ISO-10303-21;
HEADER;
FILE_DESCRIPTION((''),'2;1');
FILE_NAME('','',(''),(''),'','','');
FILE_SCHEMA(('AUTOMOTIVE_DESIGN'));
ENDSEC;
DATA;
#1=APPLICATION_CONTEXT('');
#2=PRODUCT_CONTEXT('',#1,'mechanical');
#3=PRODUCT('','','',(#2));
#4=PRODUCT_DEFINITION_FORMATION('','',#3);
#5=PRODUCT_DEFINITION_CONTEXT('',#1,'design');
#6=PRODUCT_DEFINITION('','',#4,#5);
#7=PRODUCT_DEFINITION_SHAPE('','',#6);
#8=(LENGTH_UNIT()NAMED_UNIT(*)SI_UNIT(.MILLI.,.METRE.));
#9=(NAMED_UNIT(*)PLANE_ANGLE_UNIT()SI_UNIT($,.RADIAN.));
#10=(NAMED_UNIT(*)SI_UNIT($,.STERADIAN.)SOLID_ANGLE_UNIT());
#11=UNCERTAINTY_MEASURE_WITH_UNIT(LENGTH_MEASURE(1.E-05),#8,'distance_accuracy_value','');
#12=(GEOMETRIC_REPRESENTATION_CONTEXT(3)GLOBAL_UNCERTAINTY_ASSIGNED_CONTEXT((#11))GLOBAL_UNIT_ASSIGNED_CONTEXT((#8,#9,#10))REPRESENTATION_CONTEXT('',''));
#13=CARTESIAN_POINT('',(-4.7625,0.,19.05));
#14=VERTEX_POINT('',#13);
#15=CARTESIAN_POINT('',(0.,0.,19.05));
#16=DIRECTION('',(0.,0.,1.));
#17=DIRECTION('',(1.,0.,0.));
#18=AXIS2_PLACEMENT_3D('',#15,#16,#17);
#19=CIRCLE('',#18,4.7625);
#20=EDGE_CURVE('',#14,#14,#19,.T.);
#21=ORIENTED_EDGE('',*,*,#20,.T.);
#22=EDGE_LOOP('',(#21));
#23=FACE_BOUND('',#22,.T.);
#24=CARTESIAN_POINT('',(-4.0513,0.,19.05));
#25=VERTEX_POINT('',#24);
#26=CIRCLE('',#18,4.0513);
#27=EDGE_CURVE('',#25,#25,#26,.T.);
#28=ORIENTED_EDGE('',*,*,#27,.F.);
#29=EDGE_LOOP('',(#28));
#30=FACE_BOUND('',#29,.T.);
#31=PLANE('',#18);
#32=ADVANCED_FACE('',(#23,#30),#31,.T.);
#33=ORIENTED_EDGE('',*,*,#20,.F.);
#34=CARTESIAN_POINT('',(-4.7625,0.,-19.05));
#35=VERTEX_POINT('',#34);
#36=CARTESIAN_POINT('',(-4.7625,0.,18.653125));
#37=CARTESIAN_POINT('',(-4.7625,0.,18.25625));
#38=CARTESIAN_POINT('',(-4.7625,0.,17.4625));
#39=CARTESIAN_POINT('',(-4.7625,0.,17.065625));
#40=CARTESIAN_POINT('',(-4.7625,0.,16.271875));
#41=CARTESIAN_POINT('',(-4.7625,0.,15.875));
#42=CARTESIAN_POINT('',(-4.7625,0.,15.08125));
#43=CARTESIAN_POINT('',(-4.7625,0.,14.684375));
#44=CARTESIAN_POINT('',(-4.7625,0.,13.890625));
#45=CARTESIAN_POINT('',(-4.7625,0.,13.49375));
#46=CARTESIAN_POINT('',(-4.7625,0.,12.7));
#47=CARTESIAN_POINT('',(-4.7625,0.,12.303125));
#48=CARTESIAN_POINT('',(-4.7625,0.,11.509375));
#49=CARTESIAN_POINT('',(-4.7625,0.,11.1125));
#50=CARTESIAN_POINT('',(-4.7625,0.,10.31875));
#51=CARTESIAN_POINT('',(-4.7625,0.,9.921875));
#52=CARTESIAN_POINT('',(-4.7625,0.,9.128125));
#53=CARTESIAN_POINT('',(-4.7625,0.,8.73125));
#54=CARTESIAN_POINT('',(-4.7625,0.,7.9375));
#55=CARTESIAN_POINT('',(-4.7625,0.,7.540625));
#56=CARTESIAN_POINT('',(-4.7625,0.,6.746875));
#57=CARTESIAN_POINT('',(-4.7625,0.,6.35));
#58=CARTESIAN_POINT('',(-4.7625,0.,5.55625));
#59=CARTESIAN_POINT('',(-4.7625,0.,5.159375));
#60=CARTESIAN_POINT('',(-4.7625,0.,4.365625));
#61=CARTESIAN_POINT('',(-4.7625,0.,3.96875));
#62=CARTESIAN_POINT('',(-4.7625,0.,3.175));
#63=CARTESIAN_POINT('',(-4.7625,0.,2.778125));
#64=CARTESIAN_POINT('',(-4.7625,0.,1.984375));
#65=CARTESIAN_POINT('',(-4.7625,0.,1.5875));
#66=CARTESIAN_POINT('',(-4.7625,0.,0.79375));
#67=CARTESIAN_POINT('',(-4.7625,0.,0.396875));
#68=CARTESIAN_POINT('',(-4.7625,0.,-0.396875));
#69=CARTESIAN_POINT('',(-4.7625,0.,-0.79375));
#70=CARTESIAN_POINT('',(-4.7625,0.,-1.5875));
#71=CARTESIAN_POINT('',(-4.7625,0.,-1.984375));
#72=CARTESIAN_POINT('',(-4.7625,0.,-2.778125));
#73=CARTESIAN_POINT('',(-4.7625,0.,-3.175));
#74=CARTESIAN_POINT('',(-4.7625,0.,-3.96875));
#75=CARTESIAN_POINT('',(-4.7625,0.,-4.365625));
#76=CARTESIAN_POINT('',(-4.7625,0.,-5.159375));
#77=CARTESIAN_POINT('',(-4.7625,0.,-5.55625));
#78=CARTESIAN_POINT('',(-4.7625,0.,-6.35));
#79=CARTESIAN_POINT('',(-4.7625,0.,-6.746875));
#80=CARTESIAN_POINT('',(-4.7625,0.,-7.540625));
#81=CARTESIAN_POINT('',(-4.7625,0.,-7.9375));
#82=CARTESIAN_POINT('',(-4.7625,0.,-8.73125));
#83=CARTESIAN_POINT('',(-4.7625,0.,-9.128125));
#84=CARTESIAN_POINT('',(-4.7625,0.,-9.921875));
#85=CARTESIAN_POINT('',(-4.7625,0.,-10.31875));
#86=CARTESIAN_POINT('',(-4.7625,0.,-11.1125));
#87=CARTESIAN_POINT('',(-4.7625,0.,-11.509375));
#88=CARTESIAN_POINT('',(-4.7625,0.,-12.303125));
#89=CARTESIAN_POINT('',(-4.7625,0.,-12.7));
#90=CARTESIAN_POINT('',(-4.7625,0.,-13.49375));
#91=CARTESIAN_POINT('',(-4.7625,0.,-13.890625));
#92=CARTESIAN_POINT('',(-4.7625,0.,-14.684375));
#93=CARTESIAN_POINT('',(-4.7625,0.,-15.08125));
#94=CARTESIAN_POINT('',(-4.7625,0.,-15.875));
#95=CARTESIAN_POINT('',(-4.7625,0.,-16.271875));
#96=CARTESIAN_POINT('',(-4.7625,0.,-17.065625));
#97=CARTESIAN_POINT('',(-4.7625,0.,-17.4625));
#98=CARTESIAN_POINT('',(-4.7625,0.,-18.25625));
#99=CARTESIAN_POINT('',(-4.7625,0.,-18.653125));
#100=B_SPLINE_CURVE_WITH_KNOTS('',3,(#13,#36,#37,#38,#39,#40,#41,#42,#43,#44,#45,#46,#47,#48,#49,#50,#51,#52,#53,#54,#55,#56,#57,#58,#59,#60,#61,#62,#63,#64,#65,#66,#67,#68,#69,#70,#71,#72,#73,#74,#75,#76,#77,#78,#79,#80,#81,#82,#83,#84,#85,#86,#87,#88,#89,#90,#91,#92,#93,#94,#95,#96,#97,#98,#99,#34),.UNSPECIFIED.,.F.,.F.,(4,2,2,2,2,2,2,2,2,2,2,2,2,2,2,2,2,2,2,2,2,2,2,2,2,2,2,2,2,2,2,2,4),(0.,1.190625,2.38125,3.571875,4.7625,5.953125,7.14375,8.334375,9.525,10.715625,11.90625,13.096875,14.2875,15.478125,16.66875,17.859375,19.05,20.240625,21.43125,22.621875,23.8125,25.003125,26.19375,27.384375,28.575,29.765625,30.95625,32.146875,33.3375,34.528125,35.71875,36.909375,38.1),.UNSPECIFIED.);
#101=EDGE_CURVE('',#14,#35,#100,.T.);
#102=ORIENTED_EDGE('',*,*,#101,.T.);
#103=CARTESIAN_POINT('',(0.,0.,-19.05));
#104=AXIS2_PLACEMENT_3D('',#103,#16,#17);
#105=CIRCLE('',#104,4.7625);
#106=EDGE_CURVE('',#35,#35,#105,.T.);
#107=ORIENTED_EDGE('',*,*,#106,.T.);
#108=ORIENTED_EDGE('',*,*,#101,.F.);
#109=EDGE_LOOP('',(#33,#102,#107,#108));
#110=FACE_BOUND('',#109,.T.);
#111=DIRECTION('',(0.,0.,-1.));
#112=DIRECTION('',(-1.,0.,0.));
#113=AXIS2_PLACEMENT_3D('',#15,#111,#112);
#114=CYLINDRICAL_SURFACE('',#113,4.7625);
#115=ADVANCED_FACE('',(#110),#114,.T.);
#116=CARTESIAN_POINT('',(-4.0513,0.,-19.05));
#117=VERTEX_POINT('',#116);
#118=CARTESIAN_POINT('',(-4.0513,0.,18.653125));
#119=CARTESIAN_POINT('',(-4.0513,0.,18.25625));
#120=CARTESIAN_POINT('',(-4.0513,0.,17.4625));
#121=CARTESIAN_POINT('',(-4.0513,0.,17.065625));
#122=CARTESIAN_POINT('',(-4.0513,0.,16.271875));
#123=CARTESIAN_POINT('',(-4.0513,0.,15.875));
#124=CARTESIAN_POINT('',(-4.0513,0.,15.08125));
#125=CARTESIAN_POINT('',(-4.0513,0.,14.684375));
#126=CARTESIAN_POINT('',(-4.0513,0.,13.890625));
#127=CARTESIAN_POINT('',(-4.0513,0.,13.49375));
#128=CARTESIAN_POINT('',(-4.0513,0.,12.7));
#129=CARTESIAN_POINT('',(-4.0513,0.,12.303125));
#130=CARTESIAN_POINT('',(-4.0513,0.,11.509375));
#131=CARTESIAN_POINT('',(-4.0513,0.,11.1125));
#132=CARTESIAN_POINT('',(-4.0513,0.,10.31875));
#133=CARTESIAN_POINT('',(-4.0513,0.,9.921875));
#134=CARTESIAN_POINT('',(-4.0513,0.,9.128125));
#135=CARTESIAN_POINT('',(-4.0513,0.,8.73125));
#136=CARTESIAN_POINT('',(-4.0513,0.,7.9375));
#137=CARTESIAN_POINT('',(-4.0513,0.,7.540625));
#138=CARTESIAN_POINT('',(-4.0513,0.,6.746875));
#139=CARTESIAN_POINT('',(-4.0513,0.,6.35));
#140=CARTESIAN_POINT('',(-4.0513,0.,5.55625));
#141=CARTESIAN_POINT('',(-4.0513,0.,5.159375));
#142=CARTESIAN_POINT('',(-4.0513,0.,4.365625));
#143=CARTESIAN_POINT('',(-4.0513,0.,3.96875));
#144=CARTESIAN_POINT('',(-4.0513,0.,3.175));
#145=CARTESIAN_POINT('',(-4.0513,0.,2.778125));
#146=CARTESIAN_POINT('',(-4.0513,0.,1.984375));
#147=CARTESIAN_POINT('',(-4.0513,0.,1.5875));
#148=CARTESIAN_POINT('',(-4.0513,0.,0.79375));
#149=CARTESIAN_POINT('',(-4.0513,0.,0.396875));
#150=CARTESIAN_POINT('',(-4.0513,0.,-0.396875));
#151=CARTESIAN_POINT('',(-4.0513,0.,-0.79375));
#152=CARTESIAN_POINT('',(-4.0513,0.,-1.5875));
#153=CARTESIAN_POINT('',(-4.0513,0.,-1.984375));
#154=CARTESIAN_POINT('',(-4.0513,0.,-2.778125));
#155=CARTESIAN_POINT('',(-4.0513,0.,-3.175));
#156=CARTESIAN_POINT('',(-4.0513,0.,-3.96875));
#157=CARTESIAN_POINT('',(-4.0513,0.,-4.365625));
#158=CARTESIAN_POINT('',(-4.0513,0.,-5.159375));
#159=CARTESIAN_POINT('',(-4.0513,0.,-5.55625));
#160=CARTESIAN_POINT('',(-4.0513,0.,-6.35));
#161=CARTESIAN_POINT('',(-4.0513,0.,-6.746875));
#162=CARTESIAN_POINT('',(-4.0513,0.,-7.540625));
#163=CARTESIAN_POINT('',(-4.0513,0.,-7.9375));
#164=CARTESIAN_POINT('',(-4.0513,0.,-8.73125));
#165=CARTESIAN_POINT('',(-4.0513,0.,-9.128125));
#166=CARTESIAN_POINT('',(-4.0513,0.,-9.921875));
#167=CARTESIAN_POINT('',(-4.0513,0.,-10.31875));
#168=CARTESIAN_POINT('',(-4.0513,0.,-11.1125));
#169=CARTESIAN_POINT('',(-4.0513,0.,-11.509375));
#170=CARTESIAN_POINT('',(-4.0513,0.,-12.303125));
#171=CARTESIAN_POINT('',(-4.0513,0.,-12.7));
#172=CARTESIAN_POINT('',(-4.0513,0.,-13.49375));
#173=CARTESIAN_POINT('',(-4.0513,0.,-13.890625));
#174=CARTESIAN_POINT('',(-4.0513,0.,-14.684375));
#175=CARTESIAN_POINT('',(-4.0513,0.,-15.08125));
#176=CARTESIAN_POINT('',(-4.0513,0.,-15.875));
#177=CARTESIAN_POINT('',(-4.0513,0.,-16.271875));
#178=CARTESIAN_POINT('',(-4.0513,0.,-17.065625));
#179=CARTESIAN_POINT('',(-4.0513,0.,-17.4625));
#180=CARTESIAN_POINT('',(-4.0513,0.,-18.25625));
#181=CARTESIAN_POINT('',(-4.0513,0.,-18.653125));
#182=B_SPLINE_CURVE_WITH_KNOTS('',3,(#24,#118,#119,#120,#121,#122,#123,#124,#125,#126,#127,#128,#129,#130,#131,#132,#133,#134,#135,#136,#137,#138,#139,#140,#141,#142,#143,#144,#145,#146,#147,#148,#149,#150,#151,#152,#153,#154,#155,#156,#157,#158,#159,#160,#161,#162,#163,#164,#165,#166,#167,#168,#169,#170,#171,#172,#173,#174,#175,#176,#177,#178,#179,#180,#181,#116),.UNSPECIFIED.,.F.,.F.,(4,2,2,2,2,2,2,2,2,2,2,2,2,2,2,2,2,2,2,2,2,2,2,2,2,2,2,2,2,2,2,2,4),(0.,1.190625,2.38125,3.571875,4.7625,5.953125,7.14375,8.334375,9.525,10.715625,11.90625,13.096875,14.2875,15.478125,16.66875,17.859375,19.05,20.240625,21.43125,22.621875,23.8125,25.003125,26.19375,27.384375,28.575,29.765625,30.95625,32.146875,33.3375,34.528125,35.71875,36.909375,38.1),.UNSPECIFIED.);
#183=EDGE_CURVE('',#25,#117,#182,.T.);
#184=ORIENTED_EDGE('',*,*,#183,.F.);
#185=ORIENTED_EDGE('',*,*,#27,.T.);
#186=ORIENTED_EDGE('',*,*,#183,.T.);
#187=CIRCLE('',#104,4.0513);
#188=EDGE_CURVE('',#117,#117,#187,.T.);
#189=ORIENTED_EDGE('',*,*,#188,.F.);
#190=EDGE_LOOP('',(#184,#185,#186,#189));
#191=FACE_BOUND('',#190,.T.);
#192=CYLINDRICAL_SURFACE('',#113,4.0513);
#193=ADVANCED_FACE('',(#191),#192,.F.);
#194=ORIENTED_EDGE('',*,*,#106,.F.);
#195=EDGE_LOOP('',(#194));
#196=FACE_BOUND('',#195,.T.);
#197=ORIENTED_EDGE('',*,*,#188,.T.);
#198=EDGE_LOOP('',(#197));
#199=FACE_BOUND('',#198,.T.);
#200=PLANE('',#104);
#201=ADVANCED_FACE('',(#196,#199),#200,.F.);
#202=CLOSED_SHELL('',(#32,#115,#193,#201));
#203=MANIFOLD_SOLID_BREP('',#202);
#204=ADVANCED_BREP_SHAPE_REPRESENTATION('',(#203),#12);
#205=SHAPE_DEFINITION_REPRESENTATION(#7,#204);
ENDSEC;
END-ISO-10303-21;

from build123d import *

# Parameters (mm, degrees)
SKETCH3_R           = 4.7625
SKETCH3_R_2         = 4.0513
BOSS_EXTRUDE1_DEPTH = 19.05


with BuildPart() as part:
    # Sketch3 → Boss-Extrude1 (new, symmetric)
    with BuildSketch(Plane.XY):
        with Locations(Location((0, 0, 0), (0, 0, 180))):
            Circle(SKETCH3_R)
        with Locations(Location((0, 0, 0), (0, 0, 180))):
            Circle(SKETCH3_R_2, mode=Mode.SUBTRACT)
    extrude(amount=BOSS_EXTRUDE1_DEPTH, both=True)


solid = part.part
